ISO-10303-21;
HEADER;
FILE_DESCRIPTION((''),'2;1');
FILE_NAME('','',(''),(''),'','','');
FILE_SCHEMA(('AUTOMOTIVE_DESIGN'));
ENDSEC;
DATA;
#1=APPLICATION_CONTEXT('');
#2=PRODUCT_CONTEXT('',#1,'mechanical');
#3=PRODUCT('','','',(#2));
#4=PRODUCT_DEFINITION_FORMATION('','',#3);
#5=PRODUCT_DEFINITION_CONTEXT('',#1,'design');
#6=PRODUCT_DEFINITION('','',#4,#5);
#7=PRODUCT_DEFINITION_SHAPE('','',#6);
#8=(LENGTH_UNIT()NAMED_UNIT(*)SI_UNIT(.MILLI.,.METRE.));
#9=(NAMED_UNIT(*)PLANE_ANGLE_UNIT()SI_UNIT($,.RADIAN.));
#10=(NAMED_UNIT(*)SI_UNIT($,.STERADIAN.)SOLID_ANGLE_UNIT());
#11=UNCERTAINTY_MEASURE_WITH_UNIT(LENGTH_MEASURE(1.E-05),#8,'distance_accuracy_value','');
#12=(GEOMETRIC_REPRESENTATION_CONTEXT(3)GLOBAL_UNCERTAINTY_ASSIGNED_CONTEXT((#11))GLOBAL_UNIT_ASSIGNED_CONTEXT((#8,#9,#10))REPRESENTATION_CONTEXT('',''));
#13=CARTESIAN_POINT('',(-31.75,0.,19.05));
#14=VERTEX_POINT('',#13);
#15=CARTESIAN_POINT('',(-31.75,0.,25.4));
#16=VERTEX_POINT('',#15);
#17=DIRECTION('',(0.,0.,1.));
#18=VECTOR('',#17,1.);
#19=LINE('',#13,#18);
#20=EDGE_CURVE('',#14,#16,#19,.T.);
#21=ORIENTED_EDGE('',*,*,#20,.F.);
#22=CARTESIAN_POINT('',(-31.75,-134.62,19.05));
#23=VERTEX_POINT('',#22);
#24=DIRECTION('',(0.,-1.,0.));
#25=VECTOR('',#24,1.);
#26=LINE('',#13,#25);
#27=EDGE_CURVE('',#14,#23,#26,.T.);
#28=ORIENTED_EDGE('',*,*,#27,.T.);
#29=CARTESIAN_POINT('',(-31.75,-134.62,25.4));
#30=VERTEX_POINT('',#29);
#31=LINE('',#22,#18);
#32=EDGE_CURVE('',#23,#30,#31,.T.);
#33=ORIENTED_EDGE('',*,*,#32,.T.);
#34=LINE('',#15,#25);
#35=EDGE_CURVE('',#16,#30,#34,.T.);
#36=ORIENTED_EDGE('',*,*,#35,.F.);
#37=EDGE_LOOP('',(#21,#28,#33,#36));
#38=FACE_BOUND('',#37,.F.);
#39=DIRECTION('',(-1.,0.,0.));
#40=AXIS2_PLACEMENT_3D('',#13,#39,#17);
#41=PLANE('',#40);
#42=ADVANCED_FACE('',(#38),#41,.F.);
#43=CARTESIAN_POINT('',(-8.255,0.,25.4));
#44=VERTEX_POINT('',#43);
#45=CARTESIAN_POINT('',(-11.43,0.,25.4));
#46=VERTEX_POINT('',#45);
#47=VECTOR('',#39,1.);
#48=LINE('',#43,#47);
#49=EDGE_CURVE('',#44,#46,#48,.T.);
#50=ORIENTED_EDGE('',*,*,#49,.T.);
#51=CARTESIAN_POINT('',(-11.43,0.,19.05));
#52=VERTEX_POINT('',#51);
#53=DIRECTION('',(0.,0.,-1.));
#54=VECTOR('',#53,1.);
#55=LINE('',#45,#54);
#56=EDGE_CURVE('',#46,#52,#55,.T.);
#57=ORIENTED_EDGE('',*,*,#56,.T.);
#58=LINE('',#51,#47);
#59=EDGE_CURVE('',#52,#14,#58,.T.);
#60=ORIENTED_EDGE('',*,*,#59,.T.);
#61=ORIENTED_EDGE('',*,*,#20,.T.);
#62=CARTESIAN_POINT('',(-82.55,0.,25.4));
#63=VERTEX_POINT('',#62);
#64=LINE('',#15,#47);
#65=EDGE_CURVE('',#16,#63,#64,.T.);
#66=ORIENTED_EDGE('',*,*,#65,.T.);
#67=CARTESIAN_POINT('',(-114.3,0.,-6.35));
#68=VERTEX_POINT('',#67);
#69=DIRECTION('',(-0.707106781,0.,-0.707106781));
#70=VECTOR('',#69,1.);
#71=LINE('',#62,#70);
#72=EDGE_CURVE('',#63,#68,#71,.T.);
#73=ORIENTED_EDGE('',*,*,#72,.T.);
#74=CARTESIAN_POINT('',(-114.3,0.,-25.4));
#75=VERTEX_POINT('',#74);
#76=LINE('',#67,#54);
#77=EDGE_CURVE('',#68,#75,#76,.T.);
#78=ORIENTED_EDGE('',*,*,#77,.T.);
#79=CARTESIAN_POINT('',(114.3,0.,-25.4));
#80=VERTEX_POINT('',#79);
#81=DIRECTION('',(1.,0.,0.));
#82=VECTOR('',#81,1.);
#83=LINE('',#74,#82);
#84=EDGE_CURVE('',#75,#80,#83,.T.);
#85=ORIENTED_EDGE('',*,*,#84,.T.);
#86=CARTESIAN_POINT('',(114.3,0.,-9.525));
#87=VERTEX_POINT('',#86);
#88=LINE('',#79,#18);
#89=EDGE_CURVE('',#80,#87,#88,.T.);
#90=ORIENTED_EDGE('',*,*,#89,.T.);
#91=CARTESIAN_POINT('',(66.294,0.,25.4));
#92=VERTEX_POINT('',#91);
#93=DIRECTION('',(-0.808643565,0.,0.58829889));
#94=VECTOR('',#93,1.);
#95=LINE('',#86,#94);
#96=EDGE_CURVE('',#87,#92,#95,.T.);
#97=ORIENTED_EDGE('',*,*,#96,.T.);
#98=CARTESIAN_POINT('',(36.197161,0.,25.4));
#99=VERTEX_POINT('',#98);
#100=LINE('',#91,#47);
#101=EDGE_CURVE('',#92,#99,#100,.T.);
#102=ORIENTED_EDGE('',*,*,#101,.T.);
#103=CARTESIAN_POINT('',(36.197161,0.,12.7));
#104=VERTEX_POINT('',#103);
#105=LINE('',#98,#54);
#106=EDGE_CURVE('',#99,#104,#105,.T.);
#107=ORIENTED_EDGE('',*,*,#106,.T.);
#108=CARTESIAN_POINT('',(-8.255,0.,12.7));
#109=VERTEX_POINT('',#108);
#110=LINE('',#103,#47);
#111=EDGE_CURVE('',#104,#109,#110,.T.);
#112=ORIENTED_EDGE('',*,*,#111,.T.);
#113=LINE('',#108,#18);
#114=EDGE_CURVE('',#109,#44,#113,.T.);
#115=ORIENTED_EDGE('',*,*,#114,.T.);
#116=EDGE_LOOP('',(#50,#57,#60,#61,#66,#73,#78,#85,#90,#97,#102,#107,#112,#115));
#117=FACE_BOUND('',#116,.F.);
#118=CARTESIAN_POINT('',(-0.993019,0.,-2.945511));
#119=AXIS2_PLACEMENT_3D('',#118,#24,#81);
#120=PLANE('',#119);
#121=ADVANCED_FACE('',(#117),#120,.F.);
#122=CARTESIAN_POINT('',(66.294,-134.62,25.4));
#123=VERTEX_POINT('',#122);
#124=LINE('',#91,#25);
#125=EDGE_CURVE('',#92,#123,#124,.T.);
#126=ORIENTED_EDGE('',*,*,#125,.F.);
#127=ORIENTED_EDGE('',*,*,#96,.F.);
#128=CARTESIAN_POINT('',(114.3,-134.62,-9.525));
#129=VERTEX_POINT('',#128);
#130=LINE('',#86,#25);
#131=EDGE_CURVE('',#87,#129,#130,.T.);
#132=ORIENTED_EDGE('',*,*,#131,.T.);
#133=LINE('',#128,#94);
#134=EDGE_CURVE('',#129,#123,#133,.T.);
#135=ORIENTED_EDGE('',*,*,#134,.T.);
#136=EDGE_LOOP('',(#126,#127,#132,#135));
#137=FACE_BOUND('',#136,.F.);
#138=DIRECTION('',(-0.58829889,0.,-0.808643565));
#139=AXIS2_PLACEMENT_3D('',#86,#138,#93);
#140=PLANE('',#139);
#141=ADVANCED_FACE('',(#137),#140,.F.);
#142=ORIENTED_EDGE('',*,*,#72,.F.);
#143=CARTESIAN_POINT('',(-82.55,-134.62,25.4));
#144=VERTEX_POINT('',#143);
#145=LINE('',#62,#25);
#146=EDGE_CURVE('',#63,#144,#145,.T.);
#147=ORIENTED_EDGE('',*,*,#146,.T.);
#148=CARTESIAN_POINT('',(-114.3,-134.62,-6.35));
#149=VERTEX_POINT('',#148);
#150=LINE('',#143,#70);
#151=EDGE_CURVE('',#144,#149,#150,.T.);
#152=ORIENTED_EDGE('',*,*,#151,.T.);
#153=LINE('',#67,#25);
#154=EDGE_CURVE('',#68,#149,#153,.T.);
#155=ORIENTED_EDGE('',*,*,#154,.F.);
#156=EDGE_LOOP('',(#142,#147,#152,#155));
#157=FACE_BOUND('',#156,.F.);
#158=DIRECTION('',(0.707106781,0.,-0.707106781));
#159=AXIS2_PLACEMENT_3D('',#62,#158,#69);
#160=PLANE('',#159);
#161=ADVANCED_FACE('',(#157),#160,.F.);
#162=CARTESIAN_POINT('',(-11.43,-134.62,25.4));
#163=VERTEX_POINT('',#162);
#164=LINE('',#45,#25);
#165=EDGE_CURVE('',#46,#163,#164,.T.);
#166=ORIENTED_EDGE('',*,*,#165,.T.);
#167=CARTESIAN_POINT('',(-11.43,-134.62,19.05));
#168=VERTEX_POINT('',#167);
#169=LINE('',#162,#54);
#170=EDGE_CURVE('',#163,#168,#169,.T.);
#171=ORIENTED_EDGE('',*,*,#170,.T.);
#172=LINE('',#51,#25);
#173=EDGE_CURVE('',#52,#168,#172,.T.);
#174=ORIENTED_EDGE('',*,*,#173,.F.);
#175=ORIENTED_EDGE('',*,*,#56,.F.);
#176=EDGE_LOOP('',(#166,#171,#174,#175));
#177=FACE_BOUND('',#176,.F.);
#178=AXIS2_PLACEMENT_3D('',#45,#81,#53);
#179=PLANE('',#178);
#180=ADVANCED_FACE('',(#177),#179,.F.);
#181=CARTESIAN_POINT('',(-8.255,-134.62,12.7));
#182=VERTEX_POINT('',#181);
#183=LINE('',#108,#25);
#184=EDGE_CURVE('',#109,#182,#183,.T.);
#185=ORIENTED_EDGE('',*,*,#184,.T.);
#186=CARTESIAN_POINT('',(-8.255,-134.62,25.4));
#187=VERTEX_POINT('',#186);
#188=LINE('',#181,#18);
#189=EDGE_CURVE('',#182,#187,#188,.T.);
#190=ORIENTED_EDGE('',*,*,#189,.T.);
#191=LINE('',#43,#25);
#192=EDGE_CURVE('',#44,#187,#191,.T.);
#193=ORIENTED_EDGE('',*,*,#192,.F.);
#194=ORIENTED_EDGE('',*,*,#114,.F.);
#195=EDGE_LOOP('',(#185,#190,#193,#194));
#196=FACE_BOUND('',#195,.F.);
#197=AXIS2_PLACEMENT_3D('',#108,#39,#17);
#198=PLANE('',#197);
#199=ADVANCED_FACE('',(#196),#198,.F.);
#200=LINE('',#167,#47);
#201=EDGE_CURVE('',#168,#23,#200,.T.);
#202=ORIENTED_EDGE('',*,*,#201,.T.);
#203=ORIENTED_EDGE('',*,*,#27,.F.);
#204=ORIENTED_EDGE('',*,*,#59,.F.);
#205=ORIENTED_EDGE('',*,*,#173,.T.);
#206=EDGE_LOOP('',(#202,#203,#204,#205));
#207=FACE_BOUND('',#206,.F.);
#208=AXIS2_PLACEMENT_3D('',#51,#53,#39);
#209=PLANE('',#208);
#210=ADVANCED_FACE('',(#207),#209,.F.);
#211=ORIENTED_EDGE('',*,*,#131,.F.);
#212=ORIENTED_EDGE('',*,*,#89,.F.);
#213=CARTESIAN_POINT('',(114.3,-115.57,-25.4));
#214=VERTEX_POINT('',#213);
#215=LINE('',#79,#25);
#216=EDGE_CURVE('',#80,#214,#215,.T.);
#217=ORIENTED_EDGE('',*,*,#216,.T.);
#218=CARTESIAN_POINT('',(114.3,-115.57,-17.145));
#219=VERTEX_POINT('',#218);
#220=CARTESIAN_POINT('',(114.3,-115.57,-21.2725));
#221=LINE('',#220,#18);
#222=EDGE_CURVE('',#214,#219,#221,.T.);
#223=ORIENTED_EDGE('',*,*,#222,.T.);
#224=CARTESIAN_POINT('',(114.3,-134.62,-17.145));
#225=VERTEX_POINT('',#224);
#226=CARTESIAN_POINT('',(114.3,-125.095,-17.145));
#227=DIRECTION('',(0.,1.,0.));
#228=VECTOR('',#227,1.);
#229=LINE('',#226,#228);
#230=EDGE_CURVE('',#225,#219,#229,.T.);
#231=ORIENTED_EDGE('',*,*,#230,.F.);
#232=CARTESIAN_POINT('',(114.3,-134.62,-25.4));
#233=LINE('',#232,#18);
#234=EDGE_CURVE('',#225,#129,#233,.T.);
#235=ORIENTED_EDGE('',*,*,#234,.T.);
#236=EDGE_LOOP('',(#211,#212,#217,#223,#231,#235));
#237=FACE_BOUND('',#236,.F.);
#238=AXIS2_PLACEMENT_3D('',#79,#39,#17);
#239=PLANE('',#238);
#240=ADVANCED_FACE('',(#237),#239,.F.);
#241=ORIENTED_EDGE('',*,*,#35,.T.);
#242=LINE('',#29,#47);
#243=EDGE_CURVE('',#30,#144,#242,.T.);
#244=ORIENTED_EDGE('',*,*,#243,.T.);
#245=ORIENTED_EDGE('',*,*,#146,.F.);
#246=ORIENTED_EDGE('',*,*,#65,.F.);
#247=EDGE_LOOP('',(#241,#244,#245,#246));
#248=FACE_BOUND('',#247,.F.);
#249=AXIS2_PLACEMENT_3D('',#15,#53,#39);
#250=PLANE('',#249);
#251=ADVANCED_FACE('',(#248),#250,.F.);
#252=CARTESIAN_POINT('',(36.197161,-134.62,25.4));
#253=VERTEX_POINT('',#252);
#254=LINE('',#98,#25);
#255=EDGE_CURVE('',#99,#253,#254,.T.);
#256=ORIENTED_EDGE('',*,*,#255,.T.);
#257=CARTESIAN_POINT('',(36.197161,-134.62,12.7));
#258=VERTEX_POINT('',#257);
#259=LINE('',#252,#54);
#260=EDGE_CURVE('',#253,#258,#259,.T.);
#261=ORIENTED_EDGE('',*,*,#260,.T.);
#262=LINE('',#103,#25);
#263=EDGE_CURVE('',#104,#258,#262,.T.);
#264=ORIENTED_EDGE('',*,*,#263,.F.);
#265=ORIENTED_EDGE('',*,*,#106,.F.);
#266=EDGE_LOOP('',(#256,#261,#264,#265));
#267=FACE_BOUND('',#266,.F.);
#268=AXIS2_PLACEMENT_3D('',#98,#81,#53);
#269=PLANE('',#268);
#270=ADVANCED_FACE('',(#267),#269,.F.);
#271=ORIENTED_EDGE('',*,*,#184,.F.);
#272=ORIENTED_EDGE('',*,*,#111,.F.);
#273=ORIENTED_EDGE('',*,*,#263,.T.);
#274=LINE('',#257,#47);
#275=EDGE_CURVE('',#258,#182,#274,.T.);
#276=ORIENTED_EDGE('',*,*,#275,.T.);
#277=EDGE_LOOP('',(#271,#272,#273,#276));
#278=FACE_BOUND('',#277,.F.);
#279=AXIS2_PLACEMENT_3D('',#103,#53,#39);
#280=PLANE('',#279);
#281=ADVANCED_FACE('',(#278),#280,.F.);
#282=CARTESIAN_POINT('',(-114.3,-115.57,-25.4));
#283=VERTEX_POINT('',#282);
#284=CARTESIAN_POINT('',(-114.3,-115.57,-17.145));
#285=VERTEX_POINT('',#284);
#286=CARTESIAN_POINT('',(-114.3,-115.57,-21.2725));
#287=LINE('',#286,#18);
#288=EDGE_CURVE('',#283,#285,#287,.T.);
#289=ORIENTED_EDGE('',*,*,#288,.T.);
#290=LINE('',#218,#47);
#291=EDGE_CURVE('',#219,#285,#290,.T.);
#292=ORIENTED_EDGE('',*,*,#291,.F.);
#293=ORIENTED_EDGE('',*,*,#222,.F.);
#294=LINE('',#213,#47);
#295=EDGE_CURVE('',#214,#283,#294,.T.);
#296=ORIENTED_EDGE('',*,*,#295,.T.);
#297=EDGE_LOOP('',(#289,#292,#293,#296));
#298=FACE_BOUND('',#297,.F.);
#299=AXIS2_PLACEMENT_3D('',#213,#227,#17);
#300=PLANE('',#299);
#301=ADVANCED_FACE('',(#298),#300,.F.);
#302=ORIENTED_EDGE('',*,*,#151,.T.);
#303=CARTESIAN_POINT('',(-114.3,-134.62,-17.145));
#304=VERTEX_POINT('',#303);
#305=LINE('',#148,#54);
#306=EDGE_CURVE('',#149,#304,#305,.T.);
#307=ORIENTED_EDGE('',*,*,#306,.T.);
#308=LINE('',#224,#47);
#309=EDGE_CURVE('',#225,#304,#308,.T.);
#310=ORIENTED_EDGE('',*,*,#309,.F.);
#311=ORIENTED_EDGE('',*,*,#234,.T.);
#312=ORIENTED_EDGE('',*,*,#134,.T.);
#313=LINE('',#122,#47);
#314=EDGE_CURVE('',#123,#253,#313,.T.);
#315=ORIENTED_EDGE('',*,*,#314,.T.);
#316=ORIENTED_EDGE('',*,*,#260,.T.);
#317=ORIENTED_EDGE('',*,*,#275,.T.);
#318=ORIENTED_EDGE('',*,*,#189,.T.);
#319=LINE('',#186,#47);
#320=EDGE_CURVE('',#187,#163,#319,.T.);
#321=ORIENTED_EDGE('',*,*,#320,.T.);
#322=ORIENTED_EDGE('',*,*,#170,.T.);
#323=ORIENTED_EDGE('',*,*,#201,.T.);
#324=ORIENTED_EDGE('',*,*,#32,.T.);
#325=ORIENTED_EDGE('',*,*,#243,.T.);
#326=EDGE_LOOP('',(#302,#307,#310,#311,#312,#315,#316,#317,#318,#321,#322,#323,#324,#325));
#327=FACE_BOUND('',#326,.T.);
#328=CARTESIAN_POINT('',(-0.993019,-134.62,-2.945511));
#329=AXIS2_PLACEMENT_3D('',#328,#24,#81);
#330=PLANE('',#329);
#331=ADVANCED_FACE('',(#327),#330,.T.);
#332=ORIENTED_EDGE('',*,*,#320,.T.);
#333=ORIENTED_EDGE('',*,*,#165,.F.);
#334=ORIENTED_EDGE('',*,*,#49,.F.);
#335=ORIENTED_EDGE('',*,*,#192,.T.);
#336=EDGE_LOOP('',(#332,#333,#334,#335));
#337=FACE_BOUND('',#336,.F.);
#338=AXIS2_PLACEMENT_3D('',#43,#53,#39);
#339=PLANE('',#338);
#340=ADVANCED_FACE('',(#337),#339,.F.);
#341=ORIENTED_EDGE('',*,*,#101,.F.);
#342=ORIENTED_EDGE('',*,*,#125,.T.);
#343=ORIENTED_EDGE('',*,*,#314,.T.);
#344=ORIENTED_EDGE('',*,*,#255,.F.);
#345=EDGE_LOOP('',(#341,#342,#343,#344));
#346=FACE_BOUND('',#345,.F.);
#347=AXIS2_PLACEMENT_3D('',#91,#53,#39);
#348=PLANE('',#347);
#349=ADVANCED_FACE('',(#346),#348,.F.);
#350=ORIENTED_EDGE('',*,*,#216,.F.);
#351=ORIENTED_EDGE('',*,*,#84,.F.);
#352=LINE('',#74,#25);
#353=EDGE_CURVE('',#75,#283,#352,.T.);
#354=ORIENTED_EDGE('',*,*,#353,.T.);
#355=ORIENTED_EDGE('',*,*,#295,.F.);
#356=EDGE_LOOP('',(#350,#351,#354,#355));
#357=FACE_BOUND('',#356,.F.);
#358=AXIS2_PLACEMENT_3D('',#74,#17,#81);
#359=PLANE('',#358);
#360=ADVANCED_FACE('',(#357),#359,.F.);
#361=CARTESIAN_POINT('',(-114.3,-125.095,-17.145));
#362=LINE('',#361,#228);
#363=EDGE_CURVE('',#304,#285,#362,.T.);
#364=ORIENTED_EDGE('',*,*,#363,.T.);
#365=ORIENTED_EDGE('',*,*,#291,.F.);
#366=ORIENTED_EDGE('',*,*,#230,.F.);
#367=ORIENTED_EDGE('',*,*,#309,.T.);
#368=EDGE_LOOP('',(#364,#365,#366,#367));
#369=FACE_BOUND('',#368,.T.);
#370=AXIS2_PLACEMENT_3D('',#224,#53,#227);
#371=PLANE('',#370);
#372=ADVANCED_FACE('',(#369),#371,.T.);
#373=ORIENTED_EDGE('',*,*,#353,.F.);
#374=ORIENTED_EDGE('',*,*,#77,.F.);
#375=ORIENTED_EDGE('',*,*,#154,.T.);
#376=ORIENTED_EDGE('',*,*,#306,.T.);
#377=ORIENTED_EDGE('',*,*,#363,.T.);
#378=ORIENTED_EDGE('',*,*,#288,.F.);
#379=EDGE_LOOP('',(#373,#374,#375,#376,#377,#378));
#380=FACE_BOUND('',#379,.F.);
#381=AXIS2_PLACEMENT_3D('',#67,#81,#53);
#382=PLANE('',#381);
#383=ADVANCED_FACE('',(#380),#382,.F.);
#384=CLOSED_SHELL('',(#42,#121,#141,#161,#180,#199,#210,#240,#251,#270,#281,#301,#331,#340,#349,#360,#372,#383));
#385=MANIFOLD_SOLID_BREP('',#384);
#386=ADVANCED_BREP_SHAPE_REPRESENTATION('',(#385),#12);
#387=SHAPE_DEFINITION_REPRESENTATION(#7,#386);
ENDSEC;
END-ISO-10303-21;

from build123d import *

# Parameters (mm, degrees)
F1_DEPTH = 134.62
F2_W     = 19.05
F2_H     = 8.255
F3_DEPTH = 228.6


with BuildPart() as f1:
    # F0 (on Front) → F1 (new body)
    with BuildSketch(Plane.XZ):
        Polygon((-114.3, -25.4), (114.3, -25.4), (114.3, -9.525), (66.294, 25.4), (36.197161, 25.4), (36.197161, 12.7), (-8.255, 12.7), (-8.255, 25.4), (-11.43, 25.4), (-11.43, 19.05), (-31.75, 19.05), (-31.75, 25.4), (-82.55, 25.4), (-114.3, -6.35), align=None)
    extrude(amount=F1_DEPTH)

    # F2 (on face) → F3 (cut)
    with BuildSketch(Plane.YZ.offset(114.3)):
        with Locations((-125.095, -21.2725)):
            Rectangle(F2_W, F2_H)
    extrude(amount=-F3_DEPTH, mode=Mode.SUBTRACT)


solid = f1.part
